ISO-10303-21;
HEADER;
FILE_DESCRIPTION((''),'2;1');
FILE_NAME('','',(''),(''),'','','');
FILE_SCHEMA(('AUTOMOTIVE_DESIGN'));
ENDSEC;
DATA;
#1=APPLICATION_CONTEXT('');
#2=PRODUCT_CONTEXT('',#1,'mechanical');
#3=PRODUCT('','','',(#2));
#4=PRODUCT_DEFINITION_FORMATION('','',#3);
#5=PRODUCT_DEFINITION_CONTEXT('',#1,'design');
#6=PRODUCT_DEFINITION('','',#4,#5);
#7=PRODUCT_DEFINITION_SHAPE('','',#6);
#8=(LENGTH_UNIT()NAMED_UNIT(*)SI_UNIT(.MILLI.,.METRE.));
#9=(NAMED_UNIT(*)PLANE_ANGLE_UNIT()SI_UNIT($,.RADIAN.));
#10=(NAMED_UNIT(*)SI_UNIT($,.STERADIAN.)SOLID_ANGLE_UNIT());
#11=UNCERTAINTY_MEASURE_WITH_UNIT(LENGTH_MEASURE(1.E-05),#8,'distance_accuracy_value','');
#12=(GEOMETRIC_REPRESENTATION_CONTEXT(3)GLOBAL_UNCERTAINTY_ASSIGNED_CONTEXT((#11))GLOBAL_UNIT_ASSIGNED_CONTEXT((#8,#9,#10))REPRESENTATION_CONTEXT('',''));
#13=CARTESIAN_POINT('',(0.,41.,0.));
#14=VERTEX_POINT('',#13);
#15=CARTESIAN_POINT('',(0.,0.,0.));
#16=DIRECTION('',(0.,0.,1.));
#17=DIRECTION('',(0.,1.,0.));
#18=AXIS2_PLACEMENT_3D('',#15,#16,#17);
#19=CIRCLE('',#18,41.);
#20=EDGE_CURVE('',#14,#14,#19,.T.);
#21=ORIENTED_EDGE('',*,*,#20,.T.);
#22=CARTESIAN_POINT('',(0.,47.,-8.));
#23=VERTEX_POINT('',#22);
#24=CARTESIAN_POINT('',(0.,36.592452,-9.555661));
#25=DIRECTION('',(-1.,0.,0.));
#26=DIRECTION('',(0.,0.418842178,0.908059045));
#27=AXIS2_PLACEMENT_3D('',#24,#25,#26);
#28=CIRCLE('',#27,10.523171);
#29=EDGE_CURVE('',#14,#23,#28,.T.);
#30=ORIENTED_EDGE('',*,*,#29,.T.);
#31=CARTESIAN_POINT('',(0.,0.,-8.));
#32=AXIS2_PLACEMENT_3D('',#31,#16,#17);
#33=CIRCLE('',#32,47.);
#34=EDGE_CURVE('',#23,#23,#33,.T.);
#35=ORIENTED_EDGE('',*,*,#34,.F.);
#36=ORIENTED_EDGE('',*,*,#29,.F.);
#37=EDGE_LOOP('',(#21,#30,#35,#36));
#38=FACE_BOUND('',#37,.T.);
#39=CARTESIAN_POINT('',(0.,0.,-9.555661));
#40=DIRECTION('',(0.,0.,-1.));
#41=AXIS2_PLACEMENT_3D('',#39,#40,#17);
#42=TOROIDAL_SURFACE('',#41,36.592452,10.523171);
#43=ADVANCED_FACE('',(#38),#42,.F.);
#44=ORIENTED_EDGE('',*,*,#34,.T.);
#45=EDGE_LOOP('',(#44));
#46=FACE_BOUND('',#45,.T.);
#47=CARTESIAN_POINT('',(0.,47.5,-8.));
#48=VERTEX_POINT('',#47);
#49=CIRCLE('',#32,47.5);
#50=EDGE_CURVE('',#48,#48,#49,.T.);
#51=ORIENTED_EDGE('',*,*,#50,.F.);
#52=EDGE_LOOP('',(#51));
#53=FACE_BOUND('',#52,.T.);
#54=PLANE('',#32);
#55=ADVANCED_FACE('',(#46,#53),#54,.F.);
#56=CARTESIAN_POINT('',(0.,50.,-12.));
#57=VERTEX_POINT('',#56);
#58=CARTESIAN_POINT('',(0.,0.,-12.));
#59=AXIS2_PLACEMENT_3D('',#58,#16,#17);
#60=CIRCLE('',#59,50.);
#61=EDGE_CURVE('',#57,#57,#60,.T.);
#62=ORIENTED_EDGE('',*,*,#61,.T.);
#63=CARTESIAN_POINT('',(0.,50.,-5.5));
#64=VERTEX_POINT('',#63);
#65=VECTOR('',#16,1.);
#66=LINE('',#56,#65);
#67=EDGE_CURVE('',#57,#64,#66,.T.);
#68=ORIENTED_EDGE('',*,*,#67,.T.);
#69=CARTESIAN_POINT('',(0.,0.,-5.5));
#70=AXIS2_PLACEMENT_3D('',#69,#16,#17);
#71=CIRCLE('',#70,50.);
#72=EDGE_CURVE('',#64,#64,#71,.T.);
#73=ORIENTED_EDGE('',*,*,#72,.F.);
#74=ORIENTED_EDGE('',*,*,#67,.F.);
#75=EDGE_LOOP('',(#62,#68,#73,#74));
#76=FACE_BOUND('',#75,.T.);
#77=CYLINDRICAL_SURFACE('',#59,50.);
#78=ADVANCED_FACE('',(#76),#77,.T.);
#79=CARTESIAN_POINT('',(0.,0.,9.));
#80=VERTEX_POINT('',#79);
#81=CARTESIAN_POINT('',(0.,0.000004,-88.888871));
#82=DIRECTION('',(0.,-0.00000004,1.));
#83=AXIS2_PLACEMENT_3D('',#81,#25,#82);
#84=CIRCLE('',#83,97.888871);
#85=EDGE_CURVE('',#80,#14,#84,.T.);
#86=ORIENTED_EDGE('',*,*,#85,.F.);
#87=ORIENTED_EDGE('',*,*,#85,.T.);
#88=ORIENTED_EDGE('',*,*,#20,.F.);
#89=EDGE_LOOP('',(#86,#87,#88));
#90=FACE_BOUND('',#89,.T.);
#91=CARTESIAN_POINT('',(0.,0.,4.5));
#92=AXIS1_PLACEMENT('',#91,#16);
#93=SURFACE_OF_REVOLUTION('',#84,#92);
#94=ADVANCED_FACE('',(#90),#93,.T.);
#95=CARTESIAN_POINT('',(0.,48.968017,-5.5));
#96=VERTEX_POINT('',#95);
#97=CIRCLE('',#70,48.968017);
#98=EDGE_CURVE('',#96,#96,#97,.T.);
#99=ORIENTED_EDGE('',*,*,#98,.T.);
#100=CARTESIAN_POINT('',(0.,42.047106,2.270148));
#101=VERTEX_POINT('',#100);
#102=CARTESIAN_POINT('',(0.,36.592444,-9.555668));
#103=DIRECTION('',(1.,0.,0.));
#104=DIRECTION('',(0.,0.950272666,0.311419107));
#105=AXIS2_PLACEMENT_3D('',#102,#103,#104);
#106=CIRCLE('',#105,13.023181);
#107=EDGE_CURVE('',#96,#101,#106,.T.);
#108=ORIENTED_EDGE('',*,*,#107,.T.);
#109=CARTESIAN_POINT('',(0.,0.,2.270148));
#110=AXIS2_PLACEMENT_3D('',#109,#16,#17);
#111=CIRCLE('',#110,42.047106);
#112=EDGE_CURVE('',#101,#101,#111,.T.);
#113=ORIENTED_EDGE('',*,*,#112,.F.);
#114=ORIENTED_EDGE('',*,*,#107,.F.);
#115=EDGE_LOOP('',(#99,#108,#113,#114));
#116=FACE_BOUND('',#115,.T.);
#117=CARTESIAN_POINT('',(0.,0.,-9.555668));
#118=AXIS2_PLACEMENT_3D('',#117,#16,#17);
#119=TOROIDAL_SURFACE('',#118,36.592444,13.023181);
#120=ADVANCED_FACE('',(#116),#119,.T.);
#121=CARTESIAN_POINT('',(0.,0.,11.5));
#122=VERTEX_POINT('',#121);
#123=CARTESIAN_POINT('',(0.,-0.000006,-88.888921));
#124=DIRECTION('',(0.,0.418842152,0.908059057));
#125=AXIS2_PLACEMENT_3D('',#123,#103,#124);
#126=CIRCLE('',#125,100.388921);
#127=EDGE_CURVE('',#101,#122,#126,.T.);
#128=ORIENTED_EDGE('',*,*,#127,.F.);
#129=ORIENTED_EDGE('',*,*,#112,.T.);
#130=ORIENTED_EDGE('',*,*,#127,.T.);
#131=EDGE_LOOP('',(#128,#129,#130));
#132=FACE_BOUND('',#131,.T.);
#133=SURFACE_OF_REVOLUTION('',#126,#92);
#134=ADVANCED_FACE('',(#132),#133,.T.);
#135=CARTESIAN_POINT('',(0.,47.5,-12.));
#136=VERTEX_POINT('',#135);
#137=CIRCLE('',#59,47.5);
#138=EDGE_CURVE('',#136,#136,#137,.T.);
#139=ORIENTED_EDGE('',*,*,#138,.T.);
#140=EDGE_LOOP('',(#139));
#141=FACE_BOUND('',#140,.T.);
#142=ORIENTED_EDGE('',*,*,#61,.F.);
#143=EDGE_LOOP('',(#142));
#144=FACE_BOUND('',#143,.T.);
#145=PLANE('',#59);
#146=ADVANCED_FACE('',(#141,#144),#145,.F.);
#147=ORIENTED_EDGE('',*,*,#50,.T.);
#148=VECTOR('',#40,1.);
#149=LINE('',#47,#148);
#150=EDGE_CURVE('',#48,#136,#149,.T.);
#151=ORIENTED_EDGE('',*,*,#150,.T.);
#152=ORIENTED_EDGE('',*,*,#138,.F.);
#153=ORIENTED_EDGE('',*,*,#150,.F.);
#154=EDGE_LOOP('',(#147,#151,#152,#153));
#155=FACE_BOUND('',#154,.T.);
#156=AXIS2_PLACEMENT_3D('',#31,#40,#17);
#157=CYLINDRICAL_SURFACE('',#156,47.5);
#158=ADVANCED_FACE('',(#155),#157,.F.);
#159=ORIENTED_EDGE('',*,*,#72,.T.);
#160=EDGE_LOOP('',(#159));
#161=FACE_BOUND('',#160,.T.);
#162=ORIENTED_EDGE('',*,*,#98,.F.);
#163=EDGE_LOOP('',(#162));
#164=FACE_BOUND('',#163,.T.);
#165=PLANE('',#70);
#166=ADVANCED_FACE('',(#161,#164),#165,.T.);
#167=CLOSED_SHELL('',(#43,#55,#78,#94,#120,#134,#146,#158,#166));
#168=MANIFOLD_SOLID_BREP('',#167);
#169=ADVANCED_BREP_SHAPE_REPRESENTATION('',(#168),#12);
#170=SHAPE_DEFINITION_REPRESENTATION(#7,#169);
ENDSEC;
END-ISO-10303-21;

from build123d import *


with BuildPart() as f1:
    # F0 (on Right) → F1 (revolve)
    with BuildSketch(Plane.YZ):
        with BuildLine():
            ThreePointArc((0, 9), (20.988092, 6.72353), (41, 0))
            ThreePointArc((41, 0), (45.010989, -3.241758), (47, -8))
            Line((47, -8), (47.5, -8))
            Line((47.5, -8), (47.5, -12))
            Line((47.5, -12), (50, -12))
            Line((50, -12), (50, -5.5))
            Line((50, -5.5), (48.968017, -5.5))
            ThreePointArc((48.968017, -5.5), (46.317315, -0.893674), (42.047106, 2.270148))
            ThreePointArc((42.047106, 2.270148), (21.52411, 9.16539), (0, 11.5))
            Line((0, 11.5), (0, 9))
        make_face()
    revolve(axis=Axis((0, 0, 4.5), (0, 0, 1)))


solid = f1.part
